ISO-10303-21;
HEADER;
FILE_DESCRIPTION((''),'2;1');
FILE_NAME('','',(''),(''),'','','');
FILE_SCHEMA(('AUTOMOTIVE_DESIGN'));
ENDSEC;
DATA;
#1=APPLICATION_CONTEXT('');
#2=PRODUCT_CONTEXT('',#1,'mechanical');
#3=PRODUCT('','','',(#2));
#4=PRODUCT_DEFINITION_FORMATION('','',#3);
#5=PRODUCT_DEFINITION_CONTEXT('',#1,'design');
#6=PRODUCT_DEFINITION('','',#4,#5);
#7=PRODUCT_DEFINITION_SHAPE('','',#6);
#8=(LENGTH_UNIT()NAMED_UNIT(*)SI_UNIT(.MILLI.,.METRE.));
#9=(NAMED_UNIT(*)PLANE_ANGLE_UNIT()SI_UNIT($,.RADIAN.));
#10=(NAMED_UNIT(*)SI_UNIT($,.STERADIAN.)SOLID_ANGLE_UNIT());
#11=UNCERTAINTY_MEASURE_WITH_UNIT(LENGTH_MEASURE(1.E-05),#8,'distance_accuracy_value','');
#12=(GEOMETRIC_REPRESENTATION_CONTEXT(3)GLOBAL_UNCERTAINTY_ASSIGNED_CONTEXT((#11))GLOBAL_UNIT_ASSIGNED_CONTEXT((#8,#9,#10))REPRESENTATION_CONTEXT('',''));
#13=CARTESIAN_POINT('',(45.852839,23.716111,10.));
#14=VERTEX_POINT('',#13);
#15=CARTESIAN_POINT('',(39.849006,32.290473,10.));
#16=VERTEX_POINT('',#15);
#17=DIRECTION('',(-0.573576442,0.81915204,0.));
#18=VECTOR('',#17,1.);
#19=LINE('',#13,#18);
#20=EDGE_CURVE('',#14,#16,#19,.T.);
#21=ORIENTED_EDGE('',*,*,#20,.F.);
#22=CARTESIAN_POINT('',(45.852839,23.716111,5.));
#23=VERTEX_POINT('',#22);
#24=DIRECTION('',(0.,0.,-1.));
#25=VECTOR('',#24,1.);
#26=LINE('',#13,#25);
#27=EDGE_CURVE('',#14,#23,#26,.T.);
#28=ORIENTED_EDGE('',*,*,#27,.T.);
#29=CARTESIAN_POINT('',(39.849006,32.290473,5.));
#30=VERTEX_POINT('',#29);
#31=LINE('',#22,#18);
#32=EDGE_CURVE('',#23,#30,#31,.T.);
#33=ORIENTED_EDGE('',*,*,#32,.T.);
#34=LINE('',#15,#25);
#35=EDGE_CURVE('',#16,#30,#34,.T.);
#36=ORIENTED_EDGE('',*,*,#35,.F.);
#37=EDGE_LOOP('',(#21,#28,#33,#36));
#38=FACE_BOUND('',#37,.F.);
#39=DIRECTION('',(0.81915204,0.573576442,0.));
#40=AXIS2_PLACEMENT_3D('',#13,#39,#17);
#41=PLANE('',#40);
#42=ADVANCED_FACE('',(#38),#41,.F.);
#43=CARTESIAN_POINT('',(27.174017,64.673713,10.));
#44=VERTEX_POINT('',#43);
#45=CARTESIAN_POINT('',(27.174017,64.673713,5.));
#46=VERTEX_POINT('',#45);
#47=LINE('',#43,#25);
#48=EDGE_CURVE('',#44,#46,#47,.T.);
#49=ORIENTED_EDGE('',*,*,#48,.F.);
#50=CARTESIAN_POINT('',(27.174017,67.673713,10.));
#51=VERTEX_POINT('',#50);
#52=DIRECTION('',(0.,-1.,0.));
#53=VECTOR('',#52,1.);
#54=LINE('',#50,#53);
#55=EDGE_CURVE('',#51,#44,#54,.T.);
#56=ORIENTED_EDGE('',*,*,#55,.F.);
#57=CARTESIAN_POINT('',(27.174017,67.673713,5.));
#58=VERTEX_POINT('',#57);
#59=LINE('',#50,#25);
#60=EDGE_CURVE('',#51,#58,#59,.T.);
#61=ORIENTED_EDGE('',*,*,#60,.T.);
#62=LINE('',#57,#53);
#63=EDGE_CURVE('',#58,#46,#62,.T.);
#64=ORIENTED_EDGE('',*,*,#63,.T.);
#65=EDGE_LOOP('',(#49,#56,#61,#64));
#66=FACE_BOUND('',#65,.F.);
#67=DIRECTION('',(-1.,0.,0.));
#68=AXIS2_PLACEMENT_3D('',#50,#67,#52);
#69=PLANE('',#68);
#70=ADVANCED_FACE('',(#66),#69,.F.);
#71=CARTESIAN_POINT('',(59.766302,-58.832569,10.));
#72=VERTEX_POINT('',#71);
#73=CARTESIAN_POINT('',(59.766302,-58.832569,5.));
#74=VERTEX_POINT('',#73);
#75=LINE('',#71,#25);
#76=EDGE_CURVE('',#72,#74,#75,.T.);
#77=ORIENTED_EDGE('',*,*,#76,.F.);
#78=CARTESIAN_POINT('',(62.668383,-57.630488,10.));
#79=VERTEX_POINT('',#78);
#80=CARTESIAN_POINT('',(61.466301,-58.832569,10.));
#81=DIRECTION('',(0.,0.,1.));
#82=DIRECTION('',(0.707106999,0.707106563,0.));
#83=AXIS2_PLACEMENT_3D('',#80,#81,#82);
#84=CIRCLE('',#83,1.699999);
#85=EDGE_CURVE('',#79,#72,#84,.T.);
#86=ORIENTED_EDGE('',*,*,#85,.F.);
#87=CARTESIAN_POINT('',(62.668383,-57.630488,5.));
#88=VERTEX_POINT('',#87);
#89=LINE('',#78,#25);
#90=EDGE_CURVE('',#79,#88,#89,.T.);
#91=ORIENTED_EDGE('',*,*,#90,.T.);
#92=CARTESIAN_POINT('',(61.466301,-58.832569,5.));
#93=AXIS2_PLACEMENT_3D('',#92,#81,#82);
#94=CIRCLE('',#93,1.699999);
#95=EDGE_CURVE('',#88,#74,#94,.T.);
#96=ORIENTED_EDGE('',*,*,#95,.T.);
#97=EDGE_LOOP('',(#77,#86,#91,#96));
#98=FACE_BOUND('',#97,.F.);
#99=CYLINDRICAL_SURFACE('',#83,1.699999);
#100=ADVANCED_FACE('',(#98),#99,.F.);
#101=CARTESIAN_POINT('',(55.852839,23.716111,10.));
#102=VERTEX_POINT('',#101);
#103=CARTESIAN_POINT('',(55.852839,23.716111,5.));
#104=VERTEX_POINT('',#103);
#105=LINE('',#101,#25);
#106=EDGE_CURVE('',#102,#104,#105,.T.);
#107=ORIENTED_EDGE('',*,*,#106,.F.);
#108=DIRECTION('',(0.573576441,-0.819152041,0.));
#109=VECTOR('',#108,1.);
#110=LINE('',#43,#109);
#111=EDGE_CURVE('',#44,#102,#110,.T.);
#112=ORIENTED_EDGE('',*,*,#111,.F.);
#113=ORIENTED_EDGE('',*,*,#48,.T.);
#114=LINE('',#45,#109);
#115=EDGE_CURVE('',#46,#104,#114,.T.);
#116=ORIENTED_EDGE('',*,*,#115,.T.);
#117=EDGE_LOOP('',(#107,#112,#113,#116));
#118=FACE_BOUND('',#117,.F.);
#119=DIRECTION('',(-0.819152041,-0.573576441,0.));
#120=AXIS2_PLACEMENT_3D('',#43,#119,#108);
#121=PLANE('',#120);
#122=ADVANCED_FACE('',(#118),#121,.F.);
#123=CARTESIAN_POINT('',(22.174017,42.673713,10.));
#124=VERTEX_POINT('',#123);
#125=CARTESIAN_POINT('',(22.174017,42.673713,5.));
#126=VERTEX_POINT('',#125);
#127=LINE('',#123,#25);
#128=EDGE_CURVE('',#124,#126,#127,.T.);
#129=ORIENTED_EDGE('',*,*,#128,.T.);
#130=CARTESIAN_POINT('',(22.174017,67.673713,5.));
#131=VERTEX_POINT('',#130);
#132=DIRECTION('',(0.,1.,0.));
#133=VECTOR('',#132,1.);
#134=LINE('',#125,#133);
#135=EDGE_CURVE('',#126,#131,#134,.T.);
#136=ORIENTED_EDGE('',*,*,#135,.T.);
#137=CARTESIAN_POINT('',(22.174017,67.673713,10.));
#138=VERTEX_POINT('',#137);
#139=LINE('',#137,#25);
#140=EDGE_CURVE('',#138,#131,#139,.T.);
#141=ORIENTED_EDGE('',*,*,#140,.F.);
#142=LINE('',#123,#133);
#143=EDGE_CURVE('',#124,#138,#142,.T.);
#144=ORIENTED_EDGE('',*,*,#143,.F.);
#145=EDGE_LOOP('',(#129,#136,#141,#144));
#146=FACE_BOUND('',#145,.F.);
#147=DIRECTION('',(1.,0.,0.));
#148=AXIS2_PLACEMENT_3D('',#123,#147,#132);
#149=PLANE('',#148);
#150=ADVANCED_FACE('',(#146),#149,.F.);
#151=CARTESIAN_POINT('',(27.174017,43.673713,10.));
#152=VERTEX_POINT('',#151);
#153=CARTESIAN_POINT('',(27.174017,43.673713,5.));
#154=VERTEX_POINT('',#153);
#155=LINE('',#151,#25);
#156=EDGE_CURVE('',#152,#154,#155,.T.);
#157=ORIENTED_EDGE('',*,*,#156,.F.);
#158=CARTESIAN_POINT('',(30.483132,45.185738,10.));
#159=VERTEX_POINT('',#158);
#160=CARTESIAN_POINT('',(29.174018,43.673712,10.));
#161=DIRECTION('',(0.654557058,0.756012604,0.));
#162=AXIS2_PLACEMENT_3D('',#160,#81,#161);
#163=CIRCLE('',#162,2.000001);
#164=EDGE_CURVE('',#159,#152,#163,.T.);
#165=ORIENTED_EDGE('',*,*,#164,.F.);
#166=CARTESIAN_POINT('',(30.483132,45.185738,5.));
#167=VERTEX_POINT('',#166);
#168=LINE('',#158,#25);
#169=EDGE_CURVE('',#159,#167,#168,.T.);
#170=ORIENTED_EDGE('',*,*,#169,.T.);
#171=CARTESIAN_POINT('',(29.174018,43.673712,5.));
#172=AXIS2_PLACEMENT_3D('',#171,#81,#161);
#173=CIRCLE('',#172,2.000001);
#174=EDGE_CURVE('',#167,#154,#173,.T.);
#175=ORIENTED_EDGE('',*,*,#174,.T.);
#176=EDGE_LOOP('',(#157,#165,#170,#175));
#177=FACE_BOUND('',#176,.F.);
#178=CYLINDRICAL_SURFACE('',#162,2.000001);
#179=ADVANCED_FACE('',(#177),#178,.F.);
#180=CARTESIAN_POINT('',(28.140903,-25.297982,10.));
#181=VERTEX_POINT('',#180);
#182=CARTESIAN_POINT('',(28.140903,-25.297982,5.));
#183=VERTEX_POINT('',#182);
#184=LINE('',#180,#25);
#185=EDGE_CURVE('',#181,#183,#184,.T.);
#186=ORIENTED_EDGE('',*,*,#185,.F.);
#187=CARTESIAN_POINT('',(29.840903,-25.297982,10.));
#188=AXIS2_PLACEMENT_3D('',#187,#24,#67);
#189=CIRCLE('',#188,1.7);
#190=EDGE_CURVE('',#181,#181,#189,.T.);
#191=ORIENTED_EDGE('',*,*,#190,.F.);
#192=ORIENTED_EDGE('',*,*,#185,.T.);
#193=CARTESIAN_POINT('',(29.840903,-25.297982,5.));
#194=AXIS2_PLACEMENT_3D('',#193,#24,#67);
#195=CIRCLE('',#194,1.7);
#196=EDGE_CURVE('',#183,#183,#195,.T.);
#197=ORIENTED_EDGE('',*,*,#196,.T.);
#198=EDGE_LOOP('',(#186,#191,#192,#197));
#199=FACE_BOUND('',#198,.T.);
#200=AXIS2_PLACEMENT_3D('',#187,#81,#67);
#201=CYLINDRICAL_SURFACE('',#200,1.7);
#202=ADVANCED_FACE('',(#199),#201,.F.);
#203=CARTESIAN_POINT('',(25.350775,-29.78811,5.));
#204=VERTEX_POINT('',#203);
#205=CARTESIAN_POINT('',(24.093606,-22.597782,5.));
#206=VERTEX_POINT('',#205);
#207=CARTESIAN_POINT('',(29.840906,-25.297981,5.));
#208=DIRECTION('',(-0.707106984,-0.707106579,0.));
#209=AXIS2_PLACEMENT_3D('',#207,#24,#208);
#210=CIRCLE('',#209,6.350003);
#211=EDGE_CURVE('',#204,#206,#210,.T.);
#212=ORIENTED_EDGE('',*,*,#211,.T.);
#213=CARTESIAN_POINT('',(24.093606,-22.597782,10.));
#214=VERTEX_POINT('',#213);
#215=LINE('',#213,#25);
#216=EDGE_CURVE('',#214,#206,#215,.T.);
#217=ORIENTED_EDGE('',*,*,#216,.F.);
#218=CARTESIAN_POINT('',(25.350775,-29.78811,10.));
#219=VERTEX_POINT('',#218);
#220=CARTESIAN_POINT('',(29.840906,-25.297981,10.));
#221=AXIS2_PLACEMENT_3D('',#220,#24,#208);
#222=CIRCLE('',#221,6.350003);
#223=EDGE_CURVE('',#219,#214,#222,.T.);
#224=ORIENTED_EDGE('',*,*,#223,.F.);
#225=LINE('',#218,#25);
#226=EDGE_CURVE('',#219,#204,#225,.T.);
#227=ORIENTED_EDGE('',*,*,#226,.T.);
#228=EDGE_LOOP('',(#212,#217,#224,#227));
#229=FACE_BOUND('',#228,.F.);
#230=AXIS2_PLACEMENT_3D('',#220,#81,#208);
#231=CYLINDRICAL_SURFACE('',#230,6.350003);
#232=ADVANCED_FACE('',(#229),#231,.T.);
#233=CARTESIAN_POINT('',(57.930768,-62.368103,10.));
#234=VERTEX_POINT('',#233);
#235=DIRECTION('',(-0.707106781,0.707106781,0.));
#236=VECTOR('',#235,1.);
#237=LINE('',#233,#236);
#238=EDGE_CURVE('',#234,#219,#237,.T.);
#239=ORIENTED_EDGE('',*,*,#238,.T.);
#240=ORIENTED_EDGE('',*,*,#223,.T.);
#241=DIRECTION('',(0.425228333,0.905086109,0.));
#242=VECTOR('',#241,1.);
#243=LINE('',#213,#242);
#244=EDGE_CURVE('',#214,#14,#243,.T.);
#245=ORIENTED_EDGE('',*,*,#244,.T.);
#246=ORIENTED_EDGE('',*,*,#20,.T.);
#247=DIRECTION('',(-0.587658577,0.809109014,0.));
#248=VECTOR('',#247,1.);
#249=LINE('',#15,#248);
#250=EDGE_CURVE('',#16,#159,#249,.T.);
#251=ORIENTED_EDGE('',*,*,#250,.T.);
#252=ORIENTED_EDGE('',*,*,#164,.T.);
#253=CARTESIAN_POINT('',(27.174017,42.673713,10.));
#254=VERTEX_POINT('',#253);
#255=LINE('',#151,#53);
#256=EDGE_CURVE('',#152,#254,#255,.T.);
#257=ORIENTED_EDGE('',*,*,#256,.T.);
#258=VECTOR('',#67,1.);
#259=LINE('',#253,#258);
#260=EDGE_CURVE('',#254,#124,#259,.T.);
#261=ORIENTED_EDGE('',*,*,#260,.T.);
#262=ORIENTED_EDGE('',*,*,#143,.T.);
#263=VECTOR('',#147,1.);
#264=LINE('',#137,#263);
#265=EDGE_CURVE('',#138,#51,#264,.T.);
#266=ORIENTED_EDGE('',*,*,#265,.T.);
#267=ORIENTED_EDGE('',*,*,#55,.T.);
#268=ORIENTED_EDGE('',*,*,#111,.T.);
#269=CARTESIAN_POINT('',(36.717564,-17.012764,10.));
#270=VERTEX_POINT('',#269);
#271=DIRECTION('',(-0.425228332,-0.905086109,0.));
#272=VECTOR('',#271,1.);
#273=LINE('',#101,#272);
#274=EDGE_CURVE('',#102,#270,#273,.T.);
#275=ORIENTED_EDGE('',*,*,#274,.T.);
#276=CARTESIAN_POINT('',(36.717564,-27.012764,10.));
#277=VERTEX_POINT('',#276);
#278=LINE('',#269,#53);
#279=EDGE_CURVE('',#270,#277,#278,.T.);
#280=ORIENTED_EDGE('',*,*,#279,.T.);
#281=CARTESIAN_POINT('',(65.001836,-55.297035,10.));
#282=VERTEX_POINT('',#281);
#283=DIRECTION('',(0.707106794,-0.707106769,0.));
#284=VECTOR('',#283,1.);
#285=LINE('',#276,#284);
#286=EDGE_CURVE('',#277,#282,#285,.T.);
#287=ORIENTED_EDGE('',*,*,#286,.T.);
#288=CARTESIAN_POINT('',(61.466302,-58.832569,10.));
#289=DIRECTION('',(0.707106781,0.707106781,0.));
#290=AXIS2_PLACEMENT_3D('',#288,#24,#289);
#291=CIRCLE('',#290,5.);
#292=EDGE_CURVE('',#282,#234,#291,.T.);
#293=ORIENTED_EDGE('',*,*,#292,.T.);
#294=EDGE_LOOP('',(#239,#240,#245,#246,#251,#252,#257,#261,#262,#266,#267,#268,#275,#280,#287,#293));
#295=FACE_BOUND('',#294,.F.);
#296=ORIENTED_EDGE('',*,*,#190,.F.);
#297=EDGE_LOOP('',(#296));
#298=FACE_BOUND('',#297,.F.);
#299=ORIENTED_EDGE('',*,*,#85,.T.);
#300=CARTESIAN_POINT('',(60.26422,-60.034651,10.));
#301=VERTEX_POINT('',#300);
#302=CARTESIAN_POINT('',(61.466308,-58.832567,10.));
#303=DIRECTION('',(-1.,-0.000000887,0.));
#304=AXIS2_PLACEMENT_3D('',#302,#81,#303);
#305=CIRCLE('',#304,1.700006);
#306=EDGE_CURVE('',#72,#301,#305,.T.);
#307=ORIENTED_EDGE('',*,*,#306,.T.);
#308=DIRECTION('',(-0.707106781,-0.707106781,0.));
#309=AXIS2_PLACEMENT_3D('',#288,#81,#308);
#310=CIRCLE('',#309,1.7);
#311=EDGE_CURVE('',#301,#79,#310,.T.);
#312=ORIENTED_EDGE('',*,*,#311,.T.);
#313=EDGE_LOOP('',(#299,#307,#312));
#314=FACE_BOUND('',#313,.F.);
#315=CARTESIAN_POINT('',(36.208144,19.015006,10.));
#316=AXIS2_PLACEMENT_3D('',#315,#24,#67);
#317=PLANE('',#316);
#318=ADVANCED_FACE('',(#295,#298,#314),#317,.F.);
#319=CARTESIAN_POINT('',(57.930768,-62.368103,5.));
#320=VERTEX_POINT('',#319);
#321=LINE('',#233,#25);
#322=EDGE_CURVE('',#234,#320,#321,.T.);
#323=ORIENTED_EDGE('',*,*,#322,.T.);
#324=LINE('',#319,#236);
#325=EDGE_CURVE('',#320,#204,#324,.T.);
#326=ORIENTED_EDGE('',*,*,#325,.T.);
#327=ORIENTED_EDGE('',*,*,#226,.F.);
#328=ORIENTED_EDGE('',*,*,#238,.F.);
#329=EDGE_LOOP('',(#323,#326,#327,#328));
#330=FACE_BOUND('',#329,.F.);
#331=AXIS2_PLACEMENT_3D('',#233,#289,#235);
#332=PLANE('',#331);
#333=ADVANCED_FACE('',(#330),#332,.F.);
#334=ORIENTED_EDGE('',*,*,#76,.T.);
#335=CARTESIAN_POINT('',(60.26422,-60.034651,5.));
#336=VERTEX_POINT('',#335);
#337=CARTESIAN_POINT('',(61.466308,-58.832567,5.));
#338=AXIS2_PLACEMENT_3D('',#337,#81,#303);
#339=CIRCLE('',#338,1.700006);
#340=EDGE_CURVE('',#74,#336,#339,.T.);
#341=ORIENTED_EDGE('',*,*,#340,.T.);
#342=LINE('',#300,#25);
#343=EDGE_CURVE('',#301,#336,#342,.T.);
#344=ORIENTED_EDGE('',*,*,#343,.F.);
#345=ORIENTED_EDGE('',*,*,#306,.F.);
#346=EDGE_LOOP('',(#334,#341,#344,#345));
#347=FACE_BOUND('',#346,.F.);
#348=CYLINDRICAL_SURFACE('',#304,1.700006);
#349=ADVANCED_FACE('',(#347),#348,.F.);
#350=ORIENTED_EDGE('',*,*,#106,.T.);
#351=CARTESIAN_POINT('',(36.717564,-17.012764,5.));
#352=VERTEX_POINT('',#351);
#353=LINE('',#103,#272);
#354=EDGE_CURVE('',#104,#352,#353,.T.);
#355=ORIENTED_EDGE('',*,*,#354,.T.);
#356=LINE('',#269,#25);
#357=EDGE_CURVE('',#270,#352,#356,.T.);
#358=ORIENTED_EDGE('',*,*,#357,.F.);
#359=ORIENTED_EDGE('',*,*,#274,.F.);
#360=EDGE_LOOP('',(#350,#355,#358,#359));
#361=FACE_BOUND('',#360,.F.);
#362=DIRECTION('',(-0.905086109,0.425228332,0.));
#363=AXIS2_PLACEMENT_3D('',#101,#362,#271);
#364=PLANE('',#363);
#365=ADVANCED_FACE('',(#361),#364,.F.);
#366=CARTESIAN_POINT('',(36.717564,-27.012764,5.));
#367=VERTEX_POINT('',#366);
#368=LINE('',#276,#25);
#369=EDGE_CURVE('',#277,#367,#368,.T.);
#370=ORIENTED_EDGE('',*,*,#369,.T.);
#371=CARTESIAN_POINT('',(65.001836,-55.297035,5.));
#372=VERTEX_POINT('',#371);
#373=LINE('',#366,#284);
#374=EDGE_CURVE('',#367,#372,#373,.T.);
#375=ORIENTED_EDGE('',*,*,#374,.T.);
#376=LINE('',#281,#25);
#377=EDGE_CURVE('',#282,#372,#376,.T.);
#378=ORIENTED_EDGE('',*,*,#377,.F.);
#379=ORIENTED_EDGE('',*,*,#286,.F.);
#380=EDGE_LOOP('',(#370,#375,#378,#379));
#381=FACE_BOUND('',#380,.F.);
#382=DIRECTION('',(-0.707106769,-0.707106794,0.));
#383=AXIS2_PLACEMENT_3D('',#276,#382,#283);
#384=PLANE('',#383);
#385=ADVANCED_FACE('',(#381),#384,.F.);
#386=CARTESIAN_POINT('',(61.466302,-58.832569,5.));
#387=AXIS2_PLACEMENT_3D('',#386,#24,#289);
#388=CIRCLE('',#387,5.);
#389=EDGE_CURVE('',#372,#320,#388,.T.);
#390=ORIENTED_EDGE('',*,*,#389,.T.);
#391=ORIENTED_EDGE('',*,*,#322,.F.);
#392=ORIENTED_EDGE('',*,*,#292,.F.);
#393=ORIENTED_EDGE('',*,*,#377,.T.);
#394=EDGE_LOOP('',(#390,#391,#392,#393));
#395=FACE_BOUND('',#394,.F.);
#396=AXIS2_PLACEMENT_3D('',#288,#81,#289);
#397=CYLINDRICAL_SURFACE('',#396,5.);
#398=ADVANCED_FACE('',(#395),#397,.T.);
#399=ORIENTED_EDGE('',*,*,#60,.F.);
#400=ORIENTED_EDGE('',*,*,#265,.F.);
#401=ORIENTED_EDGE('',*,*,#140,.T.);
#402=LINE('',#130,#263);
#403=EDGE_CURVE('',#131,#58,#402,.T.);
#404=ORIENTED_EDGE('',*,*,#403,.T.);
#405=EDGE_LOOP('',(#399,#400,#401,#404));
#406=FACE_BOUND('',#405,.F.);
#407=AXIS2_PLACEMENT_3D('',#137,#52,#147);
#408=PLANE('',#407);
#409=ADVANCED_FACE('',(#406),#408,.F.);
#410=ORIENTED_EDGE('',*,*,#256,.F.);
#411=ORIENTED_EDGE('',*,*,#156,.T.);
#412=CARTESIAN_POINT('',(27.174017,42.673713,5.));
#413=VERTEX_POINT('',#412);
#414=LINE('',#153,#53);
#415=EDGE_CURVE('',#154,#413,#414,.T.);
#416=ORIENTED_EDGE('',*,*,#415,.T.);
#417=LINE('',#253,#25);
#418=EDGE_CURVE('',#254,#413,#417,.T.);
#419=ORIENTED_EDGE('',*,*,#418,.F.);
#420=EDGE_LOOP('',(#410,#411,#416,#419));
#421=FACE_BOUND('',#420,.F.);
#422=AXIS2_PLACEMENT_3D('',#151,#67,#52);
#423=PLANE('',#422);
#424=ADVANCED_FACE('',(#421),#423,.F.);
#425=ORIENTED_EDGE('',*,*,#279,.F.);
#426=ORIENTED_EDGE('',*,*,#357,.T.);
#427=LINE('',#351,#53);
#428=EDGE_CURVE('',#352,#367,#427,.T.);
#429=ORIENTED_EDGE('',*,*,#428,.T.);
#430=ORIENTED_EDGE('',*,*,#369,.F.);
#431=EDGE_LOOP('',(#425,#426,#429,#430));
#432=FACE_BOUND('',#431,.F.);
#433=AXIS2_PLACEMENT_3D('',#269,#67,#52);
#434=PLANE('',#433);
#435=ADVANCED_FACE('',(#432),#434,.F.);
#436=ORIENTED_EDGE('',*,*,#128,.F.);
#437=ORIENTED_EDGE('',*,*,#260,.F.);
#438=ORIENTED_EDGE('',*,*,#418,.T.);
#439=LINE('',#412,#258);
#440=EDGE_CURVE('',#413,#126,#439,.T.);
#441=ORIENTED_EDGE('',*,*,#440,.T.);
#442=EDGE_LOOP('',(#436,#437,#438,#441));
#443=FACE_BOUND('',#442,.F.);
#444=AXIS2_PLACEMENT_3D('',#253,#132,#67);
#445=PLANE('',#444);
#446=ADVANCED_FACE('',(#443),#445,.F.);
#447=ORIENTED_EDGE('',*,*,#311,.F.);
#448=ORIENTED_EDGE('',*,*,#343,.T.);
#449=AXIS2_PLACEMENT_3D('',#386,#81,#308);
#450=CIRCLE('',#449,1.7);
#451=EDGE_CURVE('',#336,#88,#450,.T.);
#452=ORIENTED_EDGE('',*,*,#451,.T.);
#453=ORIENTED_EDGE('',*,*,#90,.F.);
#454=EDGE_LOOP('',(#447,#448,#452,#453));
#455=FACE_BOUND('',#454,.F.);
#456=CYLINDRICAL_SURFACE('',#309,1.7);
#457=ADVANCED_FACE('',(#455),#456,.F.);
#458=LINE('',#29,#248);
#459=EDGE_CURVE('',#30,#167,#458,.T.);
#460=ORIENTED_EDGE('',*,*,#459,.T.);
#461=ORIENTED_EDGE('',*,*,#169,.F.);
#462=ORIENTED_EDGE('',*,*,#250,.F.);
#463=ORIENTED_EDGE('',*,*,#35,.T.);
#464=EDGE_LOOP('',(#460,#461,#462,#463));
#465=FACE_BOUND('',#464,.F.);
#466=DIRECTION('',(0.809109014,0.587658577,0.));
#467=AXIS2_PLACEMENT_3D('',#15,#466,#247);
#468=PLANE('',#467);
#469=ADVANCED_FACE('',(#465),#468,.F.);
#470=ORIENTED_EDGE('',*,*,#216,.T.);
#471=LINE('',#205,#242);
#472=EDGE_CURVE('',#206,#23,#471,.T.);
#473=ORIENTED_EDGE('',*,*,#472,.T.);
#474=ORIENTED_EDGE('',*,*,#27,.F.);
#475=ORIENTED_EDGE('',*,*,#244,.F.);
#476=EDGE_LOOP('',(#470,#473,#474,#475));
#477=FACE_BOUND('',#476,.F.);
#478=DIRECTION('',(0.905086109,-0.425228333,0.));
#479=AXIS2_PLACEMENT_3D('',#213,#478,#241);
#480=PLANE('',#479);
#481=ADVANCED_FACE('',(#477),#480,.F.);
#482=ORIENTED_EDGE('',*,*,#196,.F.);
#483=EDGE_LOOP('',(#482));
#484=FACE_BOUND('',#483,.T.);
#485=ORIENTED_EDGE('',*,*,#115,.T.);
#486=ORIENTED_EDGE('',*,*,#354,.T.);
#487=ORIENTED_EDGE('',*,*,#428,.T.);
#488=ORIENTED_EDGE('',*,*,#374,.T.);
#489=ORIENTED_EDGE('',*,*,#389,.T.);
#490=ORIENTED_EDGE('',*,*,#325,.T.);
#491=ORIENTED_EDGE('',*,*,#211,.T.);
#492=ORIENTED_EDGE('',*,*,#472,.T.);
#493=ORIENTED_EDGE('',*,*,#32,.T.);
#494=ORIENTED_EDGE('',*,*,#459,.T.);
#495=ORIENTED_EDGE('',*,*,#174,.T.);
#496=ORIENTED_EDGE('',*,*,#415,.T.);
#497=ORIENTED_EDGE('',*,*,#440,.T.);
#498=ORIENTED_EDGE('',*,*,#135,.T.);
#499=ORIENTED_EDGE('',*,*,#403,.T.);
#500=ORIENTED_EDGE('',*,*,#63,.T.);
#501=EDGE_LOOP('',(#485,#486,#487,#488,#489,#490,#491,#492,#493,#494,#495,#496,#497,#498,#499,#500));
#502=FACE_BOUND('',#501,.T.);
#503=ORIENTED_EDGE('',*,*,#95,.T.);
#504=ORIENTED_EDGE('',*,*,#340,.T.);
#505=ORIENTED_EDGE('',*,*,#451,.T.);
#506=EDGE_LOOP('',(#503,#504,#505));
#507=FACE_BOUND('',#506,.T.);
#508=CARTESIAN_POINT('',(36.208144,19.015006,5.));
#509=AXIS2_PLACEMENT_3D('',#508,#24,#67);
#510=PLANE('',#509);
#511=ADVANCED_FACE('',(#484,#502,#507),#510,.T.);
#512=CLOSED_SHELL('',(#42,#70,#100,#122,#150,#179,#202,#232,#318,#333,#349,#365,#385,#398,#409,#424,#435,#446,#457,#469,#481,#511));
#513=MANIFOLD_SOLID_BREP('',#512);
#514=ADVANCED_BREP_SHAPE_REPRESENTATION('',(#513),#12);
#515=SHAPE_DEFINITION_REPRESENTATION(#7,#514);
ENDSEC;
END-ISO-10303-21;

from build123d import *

# Parameters (mm, degrees)
F0_R     = 1.7
F1_DEPTH = 5
F2_ANGLE = 180


with BuildPart() as f1:
    # F0 (on Top) → F1 (new body)
    with BuildSketch(Plane.XY):
        with BuildLine():
            Line((14.554017, 67.673713), (9.554017, 67.673713))
            Line((9.554017, 67.673713), (9.554017, 64.673713))
            Line((9.554017, 64.673713), (-19.124805, 23.716111))
            Line((-19.124805, 23.716111), (0.01047, -17.012764))
            Line((0.01047, -17.012764), (0.01047, -27.012764))
            Line((0.01047, -27.012764), (7.081537, -34.083832))
            Line((7.081537, -34.083832), (11.377259, -29.78811))
            ThreePointArc((11.377259, -29.78811), (13.142242, -26.391636), (12.634428, -22.597782))
            Line((12.634428, -22.597782), (-9.124805, 23.716111))
            Line((-9.124805, 23.716111), (-3.120972, 32.290473))
            Line((-3.120972, 32.290473), (6.244902, 45.185738))
            ThreePointArc((6.244902, 45.185738), (8.385212, 45.49281), (9.554017, 43.673713))
            Line((9.554017, 43.673713), (9.554017, 42.673713))
            Line((9.554017, 42.673713), (14.554017, 42.673713))
            Line((14.554017, 42.673713), (14.554017, 67.673713))
        make_face()
        with Locations((6.887131, -25.297982)):
            Circle(F0_R, mode=Mode.SUBTRACT)
        with BuildLine():
            Line((7.081537, -34.083832), (0.01047, -27.012764))
            Line((0.01047, -27.012764), (-28.273802, -55.297035))
            Line((-28.273802, -55.297035), (-25.940349, -57.630488))
            ThreePointArc((-25.940349, -57.630488), (-24.087706, -57.261974), (-23.038268, -58.832569))
            ThreePointArc((-23.038268, -58.832569), (-23.167673, -59.483131), (-23.536186, -60.034651))
            Line((-23.536186, -60.034651), (-21.202734, -62.368103))
            Line((-21.202734, -62.368103), (7.081537, -34.083832))
        make_face()
        with BuildLine():
            Line((-25.940349, -57.630488), (-28.273802, -55.297035))
            ThreePointArc((-28.273802, -55.297035), (-28.273802, -62.368103), (-21.202734, -62.368103))
            Line((-21.202734, -62.368103), (-23.536186, -60.034651))
            ThreePointArc((-23.536186, -60.034651), (-25.940349, -60.034651), (-25.940349, -57.630488))
        make_face()
    extrude(amount=F1_DEPTH)


with BuildPart() as f1_1:
    # F2: moved
    add(f1.part.rotate(Axis((14.554017, 55.173713, 5), (0, -1, 0)), F2_ANGLE))


with BuildPart() as f1_2:
    # F3: moved
    add(f1_1.part.moved(Location((7.62, 0, 0))))


solid = f1_2.part
